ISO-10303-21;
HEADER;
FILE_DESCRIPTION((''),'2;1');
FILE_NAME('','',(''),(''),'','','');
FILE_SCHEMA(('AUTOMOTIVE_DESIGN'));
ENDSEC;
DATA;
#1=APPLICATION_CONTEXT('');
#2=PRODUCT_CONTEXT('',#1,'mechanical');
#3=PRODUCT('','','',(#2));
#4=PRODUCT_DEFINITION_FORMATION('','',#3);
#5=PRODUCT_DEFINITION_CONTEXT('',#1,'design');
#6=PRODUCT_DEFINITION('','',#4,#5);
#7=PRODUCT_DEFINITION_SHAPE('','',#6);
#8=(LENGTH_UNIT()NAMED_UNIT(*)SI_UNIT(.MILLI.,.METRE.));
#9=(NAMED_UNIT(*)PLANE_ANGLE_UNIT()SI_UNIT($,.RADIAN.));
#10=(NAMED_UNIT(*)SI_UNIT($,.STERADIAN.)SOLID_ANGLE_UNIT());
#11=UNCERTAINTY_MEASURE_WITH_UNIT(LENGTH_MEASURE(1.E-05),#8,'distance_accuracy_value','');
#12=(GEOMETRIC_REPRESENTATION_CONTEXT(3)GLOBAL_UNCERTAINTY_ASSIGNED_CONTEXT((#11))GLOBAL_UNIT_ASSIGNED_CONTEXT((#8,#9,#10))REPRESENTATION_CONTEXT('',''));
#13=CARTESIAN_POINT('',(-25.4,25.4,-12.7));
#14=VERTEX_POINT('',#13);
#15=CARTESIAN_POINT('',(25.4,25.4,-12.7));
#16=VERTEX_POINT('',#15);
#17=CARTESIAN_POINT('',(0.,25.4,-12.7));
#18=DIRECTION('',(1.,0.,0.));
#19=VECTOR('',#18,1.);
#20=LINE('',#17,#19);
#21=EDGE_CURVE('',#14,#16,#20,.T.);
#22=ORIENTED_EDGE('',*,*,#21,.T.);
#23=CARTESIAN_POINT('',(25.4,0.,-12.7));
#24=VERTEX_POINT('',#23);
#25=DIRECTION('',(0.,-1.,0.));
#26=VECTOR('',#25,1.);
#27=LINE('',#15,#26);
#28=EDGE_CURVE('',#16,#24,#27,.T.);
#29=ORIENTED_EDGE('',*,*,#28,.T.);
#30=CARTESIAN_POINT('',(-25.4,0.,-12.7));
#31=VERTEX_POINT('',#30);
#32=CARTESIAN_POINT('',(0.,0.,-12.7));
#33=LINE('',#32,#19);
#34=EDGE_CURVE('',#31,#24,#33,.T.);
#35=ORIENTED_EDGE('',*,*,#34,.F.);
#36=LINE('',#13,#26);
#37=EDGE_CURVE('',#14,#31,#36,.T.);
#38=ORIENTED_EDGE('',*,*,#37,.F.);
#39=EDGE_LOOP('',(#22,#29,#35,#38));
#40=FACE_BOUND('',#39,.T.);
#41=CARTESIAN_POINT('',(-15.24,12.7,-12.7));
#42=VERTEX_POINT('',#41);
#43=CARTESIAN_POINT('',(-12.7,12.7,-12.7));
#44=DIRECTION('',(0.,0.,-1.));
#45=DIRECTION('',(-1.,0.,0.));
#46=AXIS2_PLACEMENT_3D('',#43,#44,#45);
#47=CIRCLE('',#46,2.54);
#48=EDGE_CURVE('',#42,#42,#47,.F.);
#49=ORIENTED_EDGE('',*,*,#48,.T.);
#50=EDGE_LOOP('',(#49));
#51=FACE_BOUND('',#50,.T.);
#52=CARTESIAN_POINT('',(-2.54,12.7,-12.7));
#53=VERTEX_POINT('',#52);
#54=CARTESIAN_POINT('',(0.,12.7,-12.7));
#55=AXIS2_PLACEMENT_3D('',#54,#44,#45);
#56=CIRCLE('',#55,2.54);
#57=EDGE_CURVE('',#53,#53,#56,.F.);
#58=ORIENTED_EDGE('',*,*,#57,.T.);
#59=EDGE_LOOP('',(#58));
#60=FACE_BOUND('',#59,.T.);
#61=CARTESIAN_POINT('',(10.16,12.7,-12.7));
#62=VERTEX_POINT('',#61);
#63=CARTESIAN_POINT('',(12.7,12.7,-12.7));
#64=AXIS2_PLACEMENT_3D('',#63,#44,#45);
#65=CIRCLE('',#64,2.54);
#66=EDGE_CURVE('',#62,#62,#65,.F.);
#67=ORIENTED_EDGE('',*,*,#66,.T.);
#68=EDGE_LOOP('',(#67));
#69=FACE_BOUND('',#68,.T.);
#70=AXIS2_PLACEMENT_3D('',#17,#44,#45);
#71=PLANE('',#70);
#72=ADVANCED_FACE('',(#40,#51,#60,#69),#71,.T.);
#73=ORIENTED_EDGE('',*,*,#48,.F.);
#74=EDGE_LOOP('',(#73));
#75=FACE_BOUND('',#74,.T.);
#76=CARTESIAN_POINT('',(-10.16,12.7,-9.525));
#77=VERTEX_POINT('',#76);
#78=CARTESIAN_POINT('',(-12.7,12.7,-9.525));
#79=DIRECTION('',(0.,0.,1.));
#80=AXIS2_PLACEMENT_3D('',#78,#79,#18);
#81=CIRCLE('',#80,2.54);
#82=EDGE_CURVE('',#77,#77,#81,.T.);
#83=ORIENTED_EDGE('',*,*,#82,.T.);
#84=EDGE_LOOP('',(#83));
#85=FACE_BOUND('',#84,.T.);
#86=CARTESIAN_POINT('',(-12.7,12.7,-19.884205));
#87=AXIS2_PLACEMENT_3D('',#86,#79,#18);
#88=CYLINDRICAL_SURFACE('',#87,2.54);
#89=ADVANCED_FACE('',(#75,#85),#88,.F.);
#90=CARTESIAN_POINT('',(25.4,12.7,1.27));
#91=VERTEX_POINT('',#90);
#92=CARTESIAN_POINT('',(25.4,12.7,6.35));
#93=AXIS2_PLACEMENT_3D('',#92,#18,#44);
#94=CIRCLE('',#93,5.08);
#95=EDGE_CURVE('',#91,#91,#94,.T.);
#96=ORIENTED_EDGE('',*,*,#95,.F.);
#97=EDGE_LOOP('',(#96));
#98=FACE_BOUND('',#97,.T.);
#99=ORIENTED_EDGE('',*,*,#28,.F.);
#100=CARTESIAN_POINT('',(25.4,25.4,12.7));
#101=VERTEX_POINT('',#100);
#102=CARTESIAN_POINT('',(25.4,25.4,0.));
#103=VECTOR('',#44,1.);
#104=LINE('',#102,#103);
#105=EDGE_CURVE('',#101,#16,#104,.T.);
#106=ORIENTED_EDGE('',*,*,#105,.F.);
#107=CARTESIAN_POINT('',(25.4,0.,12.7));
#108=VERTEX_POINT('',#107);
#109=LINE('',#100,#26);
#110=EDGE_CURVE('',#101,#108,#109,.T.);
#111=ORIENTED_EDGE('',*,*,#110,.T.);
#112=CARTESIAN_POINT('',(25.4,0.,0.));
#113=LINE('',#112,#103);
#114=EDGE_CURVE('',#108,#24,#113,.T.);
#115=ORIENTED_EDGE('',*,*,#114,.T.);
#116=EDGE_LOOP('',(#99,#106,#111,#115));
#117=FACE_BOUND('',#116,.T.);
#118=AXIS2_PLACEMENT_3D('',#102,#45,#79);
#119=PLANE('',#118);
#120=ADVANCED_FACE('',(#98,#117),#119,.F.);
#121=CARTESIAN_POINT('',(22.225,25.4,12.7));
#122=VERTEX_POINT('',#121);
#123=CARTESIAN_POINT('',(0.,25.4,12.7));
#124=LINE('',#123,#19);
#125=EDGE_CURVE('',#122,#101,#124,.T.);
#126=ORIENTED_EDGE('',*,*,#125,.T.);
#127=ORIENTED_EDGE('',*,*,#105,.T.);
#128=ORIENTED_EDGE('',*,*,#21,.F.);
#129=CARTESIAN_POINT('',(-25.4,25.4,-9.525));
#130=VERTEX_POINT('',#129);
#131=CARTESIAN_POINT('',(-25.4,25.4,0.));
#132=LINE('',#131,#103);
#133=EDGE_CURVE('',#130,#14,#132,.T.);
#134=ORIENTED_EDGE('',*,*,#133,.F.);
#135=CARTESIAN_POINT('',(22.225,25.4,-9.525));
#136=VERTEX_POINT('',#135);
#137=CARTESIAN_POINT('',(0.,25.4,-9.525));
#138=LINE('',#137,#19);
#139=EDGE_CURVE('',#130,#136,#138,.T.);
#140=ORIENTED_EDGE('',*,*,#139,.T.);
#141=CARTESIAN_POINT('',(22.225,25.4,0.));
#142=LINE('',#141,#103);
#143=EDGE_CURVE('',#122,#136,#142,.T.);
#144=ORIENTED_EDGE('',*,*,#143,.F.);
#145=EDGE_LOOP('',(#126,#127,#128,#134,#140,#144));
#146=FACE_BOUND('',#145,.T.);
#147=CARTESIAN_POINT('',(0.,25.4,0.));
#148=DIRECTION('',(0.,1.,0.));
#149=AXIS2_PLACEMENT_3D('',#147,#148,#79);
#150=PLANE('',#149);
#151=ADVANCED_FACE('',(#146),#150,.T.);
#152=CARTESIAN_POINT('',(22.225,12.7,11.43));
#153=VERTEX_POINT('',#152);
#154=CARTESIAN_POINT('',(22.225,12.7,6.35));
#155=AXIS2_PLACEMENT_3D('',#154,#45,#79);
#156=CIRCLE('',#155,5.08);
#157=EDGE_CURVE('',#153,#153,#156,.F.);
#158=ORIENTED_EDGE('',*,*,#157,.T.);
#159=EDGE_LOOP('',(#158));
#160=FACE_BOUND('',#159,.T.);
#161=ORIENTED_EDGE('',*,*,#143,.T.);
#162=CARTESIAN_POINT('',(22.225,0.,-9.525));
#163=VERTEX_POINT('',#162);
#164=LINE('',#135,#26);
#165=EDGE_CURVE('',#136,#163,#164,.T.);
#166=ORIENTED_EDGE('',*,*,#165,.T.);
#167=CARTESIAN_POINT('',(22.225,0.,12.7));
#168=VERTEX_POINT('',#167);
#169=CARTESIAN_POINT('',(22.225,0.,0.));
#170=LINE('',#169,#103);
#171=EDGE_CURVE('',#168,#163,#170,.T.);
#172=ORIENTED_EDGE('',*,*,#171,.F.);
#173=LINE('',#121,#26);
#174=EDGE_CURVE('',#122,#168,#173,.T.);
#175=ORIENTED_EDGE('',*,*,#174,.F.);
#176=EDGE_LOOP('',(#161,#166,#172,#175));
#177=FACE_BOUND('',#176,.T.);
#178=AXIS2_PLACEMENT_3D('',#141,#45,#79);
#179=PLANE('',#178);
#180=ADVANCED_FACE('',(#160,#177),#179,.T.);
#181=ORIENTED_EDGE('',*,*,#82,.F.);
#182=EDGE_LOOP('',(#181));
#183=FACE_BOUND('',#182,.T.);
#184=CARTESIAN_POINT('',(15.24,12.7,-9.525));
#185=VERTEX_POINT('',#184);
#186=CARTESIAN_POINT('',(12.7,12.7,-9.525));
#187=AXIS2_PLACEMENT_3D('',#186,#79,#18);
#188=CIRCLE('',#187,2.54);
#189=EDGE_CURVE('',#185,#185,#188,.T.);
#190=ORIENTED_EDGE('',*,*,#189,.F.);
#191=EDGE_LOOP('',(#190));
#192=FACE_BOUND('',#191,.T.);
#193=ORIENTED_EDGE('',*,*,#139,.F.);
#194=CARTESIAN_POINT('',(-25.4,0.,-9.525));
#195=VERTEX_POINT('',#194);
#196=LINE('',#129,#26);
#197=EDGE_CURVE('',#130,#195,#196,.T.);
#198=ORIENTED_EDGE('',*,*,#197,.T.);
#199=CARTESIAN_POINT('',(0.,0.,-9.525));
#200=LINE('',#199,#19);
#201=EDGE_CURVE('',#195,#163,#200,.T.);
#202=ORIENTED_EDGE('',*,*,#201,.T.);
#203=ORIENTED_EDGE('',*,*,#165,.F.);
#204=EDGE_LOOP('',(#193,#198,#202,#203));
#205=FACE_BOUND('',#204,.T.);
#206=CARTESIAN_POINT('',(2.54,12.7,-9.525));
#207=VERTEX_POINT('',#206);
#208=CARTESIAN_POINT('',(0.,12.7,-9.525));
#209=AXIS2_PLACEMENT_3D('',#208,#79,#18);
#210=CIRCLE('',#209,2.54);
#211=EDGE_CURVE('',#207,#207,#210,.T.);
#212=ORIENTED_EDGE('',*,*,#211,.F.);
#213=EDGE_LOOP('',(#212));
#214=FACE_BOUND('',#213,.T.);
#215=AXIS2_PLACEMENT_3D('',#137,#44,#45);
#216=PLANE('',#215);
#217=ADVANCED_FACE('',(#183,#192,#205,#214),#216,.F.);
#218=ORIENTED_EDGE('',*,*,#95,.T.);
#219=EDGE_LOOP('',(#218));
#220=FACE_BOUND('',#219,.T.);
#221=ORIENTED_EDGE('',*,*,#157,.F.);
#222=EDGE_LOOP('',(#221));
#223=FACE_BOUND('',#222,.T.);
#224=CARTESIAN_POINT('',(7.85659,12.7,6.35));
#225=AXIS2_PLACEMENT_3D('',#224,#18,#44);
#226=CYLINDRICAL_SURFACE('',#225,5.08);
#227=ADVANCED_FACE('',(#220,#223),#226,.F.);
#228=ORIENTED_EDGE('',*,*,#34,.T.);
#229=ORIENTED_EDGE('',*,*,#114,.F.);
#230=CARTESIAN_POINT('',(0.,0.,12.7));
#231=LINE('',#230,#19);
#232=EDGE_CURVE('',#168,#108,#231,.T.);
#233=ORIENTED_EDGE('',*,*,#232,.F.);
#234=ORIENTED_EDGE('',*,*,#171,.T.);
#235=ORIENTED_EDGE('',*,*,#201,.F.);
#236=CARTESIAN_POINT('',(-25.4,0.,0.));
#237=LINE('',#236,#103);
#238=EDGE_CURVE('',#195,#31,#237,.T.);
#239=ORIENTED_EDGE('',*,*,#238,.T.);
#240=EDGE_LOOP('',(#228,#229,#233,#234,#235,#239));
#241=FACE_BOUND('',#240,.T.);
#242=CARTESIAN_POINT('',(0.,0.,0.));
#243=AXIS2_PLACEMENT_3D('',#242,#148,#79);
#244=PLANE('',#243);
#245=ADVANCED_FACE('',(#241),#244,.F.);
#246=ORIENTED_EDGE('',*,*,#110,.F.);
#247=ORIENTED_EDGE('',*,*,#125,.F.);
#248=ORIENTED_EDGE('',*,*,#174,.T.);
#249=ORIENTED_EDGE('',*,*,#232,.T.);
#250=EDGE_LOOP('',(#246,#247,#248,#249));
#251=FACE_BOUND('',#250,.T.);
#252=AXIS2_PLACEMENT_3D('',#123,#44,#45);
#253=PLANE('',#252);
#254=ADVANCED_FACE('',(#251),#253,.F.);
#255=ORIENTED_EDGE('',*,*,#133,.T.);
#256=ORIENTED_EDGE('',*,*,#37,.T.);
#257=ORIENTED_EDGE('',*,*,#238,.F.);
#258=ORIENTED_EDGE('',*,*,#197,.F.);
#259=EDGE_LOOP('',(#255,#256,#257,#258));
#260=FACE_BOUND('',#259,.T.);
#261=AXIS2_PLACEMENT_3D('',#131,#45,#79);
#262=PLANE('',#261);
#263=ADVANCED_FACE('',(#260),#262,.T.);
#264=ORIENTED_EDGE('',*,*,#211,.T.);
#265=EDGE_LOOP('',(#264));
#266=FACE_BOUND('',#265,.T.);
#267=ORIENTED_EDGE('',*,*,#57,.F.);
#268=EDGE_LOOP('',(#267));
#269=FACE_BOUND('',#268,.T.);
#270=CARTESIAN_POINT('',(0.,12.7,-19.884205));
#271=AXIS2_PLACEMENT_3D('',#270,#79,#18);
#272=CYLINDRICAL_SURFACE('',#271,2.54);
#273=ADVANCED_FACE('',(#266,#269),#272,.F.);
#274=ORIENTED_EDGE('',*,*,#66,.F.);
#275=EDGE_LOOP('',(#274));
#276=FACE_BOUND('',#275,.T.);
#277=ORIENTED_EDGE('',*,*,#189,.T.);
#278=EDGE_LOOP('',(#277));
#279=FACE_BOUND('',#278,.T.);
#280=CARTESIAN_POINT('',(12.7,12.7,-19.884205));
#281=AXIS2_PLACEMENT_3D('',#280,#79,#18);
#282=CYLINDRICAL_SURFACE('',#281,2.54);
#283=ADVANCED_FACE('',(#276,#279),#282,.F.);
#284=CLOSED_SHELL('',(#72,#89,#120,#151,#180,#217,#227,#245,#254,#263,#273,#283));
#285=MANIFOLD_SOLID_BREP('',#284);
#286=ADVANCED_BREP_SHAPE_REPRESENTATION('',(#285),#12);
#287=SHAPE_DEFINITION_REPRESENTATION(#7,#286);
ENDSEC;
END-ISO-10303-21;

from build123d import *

# Parameters (mm, degrees)
BOSS_EXTRUDE1_DEPTH = 25.4
SKETCH2_R           = 5.08
CUT_EXTRUDE1_DEPTH  = 3.175
SKETCH3_R           = 2.54
CUT_EXTRUDE2_DEPTH  = 3.175


with BuildPart() as part:
    # Sketch1 → Boss-Extrude1 (new body)
    with BuildSketch(Plane(origin=(0, 0, 0), x_dir=(1, 0, 0), z_dir=(0, 1, 0))):
        Polygon((22.225, 9.525), (22.225, -12.7), (25.4, -12.7), (25.4, 12.7), (-25.4, 12.7), (-25.4, 9.525), align=None)
    extrude(amount=BOSS_EXTRUDE1_DEPTH)

    # Sketch2 → Cut-Extrude1 (cut)
    with BuildSketch(Plane(origin=(25.4, 0, 0), x_dir=(0, 0, -1), z_dir=(1, 0, 0))):
        with Locations((-6.35, 12.7)):
            Circle(SKETCH2_R)
    extrude(amount=-CUT_EXTRUDE1_DEPTH, mode=Mode.SUBTRACT)

    # Sketch3 → Cut-Extrude2 (cut)
    with BuildSketch(Plane.XY.offset(-9.525)):
        with Locations((-12.7, 12.7)):
            Circle(SKETCH3_R)
        with Locations((0, 12.7)):
            Circle(SKETCH3_R)
        with Locations((12.7, 12.7)):
            Circle(SKETCH3_R)
    extrude(amount=-CUT_EXTRUDE2_DEPTH, mode=Mode.SUBTRACT)


solid = part.part
